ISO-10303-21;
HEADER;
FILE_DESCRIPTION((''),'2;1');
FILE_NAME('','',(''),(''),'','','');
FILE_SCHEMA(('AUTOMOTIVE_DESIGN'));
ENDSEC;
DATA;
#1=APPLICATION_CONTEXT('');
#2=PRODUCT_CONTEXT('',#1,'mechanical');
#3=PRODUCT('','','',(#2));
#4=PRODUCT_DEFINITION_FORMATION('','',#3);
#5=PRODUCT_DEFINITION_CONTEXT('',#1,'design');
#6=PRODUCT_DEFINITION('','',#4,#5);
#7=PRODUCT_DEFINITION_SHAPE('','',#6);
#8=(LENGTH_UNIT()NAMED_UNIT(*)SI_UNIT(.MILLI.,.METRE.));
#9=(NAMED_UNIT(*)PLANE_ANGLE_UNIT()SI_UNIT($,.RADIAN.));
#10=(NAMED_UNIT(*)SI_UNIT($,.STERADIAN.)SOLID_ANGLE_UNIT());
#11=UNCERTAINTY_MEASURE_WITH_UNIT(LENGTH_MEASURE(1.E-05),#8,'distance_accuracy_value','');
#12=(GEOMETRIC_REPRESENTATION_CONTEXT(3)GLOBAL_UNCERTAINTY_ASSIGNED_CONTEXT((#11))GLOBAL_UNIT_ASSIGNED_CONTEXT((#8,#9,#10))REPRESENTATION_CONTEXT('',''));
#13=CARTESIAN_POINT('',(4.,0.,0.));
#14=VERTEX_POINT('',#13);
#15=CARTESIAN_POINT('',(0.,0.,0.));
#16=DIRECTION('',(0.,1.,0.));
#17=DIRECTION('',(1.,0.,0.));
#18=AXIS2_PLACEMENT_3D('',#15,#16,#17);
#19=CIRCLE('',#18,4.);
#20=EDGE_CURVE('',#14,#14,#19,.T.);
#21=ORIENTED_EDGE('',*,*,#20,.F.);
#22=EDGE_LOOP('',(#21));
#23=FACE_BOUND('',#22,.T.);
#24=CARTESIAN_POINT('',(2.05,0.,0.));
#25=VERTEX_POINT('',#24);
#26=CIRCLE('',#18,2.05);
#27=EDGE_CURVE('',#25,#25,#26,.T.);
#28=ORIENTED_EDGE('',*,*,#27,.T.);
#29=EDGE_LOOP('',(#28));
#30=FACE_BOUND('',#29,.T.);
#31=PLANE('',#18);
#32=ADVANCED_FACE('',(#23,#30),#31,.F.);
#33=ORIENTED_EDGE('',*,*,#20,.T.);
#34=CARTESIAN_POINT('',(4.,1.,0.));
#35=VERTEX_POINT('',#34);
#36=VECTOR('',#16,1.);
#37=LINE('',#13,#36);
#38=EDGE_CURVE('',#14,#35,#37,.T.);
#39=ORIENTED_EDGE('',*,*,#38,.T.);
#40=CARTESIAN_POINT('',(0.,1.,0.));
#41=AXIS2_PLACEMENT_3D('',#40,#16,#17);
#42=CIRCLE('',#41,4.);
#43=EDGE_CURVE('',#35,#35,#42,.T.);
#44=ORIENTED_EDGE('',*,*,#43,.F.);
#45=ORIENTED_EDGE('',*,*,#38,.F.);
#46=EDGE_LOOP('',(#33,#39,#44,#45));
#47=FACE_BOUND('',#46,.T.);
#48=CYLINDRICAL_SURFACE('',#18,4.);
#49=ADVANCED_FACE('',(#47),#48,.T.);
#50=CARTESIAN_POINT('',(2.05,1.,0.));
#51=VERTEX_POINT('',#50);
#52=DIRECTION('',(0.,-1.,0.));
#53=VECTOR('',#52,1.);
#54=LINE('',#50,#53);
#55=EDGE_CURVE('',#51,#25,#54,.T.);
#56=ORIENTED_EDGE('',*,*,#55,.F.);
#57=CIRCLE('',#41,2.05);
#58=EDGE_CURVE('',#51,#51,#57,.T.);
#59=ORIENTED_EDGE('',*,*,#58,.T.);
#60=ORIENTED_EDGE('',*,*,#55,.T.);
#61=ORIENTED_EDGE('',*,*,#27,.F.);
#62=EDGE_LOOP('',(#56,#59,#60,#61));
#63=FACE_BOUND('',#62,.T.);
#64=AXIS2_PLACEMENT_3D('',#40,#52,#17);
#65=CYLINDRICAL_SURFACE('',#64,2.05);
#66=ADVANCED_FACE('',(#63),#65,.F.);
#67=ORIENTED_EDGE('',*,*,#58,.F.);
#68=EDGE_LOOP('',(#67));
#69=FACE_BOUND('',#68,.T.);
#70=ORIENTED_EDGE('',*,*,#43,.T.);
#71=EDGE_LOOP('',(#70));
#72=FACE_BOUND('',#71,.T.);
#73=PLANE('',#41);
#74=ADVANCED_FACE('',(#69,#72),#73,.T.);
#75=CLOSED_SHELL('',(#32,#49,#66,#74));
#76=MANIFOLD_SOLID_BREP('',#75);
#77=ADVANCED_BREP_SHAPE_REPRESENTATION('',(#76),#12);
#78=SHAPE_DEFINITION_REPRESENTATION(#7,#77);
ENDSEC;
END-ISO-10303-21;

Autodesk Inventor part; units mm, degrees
ref_plane "YZ Plane" through (0, 0, 0) normal (1, 0, 0) x (0, 1, 0)
ref_plane "XZ Plane" through (0, 0, 0) normal (0, 1, 0) x (-1, 0, 0)
ref_plane "XY Plane" through (0, 0, 0) normal (0, 0, 1) x (1, 0, 0)
sketch "Sketch1" plane through (0, 0, 0) normal (0, 0, 1) x (1, 0, 0)
  line L0 (4, 0) -> (4, 1)
  line L1 (4, 1) -> (2.05, 1)
  line L2 (2.05, 1) -> (2.05, 0)
  line L3 (0, 0) -> (0, 8.8913)
  line L4 (2.05, 0) -> (4, 0)
  dimension "d2" = 1
  dimension "d3" = 4.1
  dimension "d4" = 8
revolve "Revolution1" add sketch "Sketch1" angle 360 about axis through (0, 0, 0) along (0, 1, 0)
equation "\"d2\" = t1"
equation "\"d3\" = id"
equation "\"d4\" = od_a"
equation "\"od_a\" = 8"
equation "\"t1\" = 1"
equation "\"id\" = 4.1"
properties part number "ceramic_washer_M4_v1" material "Silicon Nitride"
